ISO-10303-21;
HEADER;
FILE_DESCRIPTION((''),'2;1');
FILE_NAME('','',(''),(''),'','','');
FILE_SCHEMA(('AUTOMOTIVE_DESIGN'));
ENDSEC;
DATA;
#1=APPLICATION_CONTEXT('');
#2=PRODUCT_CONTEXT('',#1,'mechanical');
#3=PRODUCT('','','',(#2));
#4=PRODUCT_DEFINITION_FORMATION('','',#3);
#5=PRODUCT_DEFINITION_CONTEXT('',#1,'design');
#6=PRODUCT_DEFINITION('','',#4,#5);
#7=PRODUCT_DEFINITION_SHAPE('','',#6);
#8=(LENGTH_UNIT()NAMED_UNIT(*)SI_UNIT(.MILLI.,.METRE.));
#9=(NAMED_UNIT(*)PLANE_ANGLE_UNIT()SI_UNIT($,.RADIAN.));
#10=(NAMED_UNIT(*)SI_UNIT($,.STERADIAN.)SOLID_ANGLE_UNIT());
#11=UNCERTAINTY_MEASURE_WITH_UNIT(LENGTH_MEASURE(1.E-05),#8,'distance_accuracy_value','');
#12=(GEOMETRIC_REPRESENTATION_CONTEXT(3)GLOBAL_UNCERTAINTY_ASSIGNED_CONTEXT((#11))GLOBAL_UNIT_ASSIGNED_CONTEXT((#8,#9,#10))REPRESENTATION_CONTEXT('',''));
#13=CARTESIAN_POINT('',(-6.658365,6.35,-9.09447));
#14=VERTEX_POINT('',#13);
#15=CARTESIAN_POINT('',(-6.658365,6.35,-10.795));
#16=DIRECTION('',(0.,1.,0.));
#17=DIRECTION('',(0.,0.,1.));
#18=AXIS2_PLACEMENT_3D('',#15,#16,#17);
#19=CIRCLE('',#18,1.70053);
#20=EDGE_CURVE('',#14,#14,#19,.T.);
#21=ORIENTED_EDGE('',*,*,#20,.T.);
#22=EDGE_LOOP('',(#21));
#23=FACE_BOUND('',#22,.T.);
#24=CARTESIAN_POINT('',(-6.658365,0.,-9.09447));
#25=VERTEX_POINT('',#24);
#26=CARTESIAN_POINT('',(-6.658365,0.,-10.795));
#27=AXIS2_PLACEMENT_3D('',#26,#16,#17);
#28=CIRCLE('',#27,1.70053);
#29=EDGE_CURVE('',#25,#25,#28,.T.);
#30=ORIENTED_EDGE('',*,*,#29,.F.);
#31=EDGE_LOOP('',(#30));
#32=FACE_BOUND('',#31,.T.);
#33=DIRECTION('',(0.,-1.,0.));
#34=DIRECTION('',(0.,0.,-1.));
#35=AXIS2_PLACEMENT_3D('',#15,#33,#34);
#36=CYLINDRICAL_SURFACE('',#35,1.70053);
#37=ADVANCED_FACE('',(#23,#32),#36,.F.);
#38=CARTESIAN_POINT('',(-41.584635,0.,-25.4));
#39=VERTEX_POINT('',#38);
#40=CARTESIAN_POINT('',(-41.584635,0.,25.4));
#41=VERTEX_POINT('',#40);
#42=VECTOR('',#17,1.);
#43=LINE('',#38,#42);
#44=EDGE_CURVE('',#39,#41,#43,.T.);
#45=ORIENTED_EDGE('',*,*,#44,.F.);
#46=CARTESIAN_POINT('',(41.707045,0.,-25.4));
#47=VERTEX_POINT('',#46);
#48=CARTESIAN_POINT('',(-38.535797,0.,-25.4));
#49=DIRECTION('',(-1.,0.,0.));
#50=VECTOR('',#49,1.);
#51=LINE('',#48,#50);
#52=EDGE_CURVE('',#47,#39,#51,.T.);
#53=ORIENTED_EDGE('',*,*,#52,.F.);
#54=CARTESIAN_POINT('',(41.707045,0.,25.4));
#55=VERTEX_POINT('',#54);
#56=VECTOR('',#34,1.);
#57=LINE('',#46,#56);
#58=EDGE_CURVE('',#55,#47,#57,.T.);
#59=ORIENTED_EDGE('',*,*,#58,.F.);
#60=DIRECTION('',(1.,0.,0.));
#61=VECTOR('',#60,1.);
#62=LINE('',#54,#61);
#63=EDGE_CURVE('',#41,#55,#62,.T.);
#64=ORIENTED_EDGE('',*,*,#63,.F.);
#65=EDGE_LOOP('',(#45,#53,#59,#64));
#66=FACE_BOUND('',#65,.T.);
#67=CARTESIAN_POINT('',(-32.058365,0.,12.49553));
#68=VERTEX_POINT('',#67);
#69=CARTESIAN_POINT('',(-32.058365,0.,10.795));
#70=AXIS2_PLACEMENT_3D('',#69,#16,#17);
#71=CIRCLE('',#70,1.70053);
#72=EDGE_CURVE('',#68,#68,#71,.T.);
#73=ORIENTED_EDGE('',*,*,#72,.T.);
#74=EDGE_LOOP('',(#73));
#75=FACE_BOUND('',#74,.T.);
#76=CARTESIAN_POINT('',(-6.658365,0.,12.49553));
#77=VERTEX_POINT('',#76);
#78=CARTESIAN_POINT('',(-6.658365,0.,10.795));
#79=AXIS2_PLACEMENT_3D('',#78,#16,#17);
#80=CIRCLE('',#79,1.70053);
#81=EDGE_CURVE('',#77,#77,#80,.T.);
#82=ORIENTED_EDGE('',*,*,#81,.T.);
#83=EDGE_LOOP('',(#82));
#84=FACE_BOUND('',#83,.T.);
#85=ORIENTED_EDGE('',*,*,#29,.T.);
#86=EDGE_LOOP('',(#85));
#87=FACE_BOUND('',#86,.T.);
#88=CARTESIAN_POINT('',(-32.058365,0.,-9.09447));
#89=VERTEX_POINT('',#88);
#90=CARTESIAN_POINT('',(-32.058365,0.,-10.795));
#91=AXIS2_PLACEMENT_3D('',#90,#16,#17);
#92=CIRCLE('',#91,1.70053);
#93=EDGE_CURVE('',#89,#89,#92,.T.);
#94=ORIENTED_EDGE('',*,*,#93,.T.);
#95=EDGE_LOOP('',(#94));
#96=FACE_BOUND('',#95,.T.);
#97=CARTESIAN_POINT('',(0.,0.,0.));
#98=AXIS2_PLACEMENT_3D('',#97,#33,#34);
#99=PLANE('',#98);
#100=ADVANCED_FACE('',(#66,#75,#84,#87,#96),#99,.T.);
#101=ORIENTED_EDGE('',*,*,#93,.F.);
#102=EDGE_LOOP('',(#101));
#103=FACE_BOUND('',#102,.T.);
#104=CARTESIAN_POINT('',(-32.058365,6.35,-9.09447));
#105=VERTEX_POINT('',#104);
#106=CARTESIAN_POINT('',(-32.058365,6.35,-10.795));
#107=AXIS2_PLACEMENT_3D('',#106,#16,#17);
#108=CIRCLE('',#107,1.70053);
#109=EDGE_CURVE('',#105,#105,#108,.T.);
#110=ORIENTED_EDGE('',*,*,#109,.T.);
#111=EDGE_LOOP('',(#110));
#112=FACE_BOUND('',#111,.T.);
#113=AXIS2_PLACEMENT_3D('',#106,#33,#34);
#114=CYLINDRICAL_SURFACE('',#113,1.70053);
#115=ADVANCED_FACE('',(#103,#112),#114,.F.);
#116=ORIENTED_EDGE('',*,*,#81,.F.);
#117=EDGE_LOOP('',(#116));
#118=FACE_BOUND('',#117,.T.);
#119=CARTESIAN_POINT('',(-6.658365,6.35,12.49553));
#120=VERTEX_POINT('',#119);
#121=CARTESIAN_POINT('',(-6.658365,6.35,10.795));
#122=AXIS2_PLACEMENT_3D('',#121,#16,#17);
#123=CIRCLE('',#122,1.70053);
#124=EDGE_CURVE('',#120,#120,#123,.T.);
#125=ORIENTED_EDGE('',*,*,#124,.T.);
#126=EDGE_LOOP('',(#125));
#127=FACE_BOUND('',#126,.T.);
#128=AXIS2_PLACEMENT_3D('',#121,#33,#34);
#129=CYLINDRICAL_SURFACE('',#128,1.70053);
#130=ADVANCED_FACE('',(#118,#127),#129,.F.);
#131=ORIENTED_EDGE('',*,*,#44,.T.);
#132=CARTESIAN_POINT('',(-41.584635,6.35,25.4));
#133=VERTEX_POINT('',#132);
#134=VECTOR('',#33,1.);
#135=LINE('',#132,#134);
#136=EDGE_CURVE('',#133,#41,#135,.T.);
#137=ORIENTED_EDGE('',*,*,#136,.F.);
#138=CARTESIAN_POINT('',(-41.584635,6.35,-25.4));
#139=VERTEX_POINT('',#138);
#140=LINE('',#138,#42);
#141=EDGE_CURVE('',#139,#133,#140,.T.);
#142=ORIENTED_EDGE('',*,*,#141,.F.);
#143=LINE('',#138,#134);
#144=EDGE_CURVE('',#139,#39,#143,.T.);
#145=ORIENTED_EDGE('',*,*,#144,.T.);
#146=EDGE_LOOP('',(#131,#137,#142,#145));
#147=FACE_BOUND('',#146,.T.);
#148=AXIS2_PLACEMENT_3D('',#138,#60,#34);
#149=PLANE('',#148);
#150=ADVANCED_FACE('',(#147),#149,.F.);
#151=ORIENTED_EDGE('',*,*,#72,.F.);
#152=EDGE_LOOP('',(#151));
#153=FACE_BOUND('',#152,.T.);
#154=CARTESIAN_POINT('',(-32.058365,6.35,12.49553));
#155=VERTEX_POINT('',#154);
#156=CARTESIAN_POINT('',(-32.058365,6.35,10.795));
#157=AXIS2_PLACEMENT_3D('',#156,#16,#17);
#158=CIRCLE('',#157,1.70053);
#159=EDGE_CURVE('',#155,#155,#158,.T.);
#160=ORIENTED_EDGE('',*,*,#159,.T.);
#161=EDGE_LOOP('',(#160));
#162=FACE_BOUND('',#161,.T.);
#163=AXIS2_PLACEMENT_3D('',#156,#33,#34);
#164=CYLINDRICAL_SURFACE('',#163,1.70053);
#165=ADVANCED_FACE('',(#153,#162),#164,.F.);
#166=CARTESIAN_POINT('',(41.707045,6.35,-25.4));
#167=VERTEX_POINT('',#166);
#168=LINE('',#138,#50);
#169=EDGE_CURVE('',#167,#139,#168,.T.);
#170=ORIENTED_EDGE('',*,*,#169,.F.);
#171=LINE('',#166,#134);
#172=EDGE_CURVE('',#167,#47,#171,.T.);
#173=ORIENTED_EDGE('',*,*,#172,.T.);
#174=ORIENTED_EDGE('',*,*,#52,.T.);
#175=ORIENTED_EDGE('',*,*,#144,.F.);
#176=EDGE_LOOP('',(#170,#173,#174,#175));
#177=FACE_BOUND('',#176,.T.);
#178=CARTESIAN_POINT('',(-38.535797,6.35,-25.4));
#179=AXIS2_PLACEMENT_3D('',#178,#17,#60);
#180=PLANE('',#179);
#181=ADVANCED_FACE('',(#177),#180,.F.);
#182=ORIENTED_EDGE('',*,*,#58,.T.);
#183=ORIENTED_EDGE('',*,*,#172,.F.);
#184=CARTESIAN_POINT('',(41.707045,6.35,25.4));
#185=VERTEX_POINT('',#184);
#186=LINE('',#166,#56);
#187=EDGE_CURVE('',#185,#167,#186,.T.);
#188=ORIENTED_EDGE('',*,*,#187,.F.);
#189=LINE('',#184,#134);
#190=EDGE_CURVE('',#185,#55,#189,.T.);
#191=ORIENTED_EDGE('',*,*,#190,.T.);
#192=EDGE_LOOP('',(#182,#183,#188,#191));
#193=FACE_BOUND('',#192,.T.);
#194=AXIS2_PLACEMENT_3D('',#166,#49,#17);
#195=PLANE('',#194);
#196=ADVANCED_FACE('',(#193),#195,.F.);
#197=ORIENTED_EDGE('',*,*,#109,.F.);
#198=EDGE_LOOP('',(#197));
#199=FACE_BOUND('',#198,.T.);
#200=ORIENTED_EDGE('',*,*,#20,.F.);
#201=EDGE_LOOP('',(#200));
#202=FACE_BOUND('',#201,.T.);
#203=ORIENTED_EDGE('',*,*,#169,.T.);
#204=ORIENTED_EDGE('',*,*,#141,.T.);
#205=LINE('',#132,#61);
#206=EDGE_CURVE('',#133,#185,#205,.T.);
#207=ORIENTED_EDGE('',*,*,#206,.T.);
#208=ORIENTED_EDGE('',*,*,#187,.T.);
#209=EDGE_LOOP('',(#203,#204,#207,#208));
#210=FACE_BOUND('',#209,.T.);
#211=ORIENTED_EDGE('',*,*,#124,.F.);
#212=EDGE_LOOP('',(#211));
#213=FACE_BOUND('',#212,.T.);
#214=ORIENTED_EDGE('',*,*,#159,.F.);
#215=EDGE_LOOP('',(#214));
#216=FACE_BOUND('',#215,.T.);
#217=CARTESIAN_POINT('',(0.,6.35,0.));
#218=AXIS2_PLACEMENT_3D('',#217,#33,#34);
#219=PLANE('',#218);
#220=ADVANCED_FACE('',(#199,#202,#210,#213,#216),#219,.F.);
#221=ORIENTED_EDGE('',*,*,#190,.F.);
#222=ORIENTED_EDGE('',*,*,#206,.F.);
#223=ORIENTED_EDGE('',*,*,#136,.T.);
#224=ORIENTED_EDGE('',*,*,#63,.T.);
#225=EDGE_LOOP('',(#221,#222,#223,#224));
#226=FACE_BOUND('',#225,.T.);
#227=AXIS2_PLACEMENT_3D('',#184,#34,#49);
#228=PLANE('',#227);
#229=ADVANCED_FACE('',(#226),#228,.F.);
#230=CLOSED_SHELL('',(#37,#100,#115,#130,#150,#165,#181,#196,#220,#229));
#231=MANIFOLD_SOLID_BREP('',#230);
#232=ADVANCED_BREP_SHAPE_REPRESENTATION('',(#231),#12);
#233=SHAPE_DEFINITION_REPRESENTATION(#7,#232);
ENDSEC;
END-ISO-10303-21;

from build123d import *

# Parameters (mm, degrees)
SKETCH1_R           = 1.70053
BOSS_EXTRUDE1_DEPTH = 6.35


with BuildPart() as part:
    # Sketch1 → Boss-Extrude1 (new body)
    with BuildSketch(Plane(origin=(0, 0, 0), x_dir=(1, 0, 0), z_dir=(0, 1, 0))):
        Polygon((-25.233245497, -25.4), (-6.59007041, -25.4), (6.712481409, -25.4), (25.355656497, -25.4), (38.658208316, -25.4), (41.7070455, -25.4), (41.7070455, 25.4), (38.658208316, 25.4), (25.355656497, 25.4), (6.712481409, 25.4), (0.0612055, 25.4), (-6.59007041, 25.4), (-25.233245497, 25.4), (-38.535797316, 25.4), (-41.5846345, 25.4), (-41.5846345, -25.4), (-38.535797316, -25.4), align=None)
        with Locations(Location((-32.0583645, 10.795, 0), (0, 0, 270))):
            Circle(SKETCH1_R, mode=Mode.SUBTRACT)
        with Locations(Location((-32.0583645, -10.795, 0), (0, 0, 270))):
            Circle(SKETCH1_R, mode=Mode.SUBTRACT)
        with Locations(Location((-6.6583645, -10.795, 0), (0, 0, 270))):
            Circle(SKETCH1_R, mode=Mode.SUBTRACT)
        with Locations(Location((-6.6583645, 10.795, 0), (0, 0, 270))):
            Circle(SKETCH1_R, mode=Mode.SUBTRACT)
    extrude(amount=BOSS_EXTRUDE1_DEPTH)


solid = part.part
